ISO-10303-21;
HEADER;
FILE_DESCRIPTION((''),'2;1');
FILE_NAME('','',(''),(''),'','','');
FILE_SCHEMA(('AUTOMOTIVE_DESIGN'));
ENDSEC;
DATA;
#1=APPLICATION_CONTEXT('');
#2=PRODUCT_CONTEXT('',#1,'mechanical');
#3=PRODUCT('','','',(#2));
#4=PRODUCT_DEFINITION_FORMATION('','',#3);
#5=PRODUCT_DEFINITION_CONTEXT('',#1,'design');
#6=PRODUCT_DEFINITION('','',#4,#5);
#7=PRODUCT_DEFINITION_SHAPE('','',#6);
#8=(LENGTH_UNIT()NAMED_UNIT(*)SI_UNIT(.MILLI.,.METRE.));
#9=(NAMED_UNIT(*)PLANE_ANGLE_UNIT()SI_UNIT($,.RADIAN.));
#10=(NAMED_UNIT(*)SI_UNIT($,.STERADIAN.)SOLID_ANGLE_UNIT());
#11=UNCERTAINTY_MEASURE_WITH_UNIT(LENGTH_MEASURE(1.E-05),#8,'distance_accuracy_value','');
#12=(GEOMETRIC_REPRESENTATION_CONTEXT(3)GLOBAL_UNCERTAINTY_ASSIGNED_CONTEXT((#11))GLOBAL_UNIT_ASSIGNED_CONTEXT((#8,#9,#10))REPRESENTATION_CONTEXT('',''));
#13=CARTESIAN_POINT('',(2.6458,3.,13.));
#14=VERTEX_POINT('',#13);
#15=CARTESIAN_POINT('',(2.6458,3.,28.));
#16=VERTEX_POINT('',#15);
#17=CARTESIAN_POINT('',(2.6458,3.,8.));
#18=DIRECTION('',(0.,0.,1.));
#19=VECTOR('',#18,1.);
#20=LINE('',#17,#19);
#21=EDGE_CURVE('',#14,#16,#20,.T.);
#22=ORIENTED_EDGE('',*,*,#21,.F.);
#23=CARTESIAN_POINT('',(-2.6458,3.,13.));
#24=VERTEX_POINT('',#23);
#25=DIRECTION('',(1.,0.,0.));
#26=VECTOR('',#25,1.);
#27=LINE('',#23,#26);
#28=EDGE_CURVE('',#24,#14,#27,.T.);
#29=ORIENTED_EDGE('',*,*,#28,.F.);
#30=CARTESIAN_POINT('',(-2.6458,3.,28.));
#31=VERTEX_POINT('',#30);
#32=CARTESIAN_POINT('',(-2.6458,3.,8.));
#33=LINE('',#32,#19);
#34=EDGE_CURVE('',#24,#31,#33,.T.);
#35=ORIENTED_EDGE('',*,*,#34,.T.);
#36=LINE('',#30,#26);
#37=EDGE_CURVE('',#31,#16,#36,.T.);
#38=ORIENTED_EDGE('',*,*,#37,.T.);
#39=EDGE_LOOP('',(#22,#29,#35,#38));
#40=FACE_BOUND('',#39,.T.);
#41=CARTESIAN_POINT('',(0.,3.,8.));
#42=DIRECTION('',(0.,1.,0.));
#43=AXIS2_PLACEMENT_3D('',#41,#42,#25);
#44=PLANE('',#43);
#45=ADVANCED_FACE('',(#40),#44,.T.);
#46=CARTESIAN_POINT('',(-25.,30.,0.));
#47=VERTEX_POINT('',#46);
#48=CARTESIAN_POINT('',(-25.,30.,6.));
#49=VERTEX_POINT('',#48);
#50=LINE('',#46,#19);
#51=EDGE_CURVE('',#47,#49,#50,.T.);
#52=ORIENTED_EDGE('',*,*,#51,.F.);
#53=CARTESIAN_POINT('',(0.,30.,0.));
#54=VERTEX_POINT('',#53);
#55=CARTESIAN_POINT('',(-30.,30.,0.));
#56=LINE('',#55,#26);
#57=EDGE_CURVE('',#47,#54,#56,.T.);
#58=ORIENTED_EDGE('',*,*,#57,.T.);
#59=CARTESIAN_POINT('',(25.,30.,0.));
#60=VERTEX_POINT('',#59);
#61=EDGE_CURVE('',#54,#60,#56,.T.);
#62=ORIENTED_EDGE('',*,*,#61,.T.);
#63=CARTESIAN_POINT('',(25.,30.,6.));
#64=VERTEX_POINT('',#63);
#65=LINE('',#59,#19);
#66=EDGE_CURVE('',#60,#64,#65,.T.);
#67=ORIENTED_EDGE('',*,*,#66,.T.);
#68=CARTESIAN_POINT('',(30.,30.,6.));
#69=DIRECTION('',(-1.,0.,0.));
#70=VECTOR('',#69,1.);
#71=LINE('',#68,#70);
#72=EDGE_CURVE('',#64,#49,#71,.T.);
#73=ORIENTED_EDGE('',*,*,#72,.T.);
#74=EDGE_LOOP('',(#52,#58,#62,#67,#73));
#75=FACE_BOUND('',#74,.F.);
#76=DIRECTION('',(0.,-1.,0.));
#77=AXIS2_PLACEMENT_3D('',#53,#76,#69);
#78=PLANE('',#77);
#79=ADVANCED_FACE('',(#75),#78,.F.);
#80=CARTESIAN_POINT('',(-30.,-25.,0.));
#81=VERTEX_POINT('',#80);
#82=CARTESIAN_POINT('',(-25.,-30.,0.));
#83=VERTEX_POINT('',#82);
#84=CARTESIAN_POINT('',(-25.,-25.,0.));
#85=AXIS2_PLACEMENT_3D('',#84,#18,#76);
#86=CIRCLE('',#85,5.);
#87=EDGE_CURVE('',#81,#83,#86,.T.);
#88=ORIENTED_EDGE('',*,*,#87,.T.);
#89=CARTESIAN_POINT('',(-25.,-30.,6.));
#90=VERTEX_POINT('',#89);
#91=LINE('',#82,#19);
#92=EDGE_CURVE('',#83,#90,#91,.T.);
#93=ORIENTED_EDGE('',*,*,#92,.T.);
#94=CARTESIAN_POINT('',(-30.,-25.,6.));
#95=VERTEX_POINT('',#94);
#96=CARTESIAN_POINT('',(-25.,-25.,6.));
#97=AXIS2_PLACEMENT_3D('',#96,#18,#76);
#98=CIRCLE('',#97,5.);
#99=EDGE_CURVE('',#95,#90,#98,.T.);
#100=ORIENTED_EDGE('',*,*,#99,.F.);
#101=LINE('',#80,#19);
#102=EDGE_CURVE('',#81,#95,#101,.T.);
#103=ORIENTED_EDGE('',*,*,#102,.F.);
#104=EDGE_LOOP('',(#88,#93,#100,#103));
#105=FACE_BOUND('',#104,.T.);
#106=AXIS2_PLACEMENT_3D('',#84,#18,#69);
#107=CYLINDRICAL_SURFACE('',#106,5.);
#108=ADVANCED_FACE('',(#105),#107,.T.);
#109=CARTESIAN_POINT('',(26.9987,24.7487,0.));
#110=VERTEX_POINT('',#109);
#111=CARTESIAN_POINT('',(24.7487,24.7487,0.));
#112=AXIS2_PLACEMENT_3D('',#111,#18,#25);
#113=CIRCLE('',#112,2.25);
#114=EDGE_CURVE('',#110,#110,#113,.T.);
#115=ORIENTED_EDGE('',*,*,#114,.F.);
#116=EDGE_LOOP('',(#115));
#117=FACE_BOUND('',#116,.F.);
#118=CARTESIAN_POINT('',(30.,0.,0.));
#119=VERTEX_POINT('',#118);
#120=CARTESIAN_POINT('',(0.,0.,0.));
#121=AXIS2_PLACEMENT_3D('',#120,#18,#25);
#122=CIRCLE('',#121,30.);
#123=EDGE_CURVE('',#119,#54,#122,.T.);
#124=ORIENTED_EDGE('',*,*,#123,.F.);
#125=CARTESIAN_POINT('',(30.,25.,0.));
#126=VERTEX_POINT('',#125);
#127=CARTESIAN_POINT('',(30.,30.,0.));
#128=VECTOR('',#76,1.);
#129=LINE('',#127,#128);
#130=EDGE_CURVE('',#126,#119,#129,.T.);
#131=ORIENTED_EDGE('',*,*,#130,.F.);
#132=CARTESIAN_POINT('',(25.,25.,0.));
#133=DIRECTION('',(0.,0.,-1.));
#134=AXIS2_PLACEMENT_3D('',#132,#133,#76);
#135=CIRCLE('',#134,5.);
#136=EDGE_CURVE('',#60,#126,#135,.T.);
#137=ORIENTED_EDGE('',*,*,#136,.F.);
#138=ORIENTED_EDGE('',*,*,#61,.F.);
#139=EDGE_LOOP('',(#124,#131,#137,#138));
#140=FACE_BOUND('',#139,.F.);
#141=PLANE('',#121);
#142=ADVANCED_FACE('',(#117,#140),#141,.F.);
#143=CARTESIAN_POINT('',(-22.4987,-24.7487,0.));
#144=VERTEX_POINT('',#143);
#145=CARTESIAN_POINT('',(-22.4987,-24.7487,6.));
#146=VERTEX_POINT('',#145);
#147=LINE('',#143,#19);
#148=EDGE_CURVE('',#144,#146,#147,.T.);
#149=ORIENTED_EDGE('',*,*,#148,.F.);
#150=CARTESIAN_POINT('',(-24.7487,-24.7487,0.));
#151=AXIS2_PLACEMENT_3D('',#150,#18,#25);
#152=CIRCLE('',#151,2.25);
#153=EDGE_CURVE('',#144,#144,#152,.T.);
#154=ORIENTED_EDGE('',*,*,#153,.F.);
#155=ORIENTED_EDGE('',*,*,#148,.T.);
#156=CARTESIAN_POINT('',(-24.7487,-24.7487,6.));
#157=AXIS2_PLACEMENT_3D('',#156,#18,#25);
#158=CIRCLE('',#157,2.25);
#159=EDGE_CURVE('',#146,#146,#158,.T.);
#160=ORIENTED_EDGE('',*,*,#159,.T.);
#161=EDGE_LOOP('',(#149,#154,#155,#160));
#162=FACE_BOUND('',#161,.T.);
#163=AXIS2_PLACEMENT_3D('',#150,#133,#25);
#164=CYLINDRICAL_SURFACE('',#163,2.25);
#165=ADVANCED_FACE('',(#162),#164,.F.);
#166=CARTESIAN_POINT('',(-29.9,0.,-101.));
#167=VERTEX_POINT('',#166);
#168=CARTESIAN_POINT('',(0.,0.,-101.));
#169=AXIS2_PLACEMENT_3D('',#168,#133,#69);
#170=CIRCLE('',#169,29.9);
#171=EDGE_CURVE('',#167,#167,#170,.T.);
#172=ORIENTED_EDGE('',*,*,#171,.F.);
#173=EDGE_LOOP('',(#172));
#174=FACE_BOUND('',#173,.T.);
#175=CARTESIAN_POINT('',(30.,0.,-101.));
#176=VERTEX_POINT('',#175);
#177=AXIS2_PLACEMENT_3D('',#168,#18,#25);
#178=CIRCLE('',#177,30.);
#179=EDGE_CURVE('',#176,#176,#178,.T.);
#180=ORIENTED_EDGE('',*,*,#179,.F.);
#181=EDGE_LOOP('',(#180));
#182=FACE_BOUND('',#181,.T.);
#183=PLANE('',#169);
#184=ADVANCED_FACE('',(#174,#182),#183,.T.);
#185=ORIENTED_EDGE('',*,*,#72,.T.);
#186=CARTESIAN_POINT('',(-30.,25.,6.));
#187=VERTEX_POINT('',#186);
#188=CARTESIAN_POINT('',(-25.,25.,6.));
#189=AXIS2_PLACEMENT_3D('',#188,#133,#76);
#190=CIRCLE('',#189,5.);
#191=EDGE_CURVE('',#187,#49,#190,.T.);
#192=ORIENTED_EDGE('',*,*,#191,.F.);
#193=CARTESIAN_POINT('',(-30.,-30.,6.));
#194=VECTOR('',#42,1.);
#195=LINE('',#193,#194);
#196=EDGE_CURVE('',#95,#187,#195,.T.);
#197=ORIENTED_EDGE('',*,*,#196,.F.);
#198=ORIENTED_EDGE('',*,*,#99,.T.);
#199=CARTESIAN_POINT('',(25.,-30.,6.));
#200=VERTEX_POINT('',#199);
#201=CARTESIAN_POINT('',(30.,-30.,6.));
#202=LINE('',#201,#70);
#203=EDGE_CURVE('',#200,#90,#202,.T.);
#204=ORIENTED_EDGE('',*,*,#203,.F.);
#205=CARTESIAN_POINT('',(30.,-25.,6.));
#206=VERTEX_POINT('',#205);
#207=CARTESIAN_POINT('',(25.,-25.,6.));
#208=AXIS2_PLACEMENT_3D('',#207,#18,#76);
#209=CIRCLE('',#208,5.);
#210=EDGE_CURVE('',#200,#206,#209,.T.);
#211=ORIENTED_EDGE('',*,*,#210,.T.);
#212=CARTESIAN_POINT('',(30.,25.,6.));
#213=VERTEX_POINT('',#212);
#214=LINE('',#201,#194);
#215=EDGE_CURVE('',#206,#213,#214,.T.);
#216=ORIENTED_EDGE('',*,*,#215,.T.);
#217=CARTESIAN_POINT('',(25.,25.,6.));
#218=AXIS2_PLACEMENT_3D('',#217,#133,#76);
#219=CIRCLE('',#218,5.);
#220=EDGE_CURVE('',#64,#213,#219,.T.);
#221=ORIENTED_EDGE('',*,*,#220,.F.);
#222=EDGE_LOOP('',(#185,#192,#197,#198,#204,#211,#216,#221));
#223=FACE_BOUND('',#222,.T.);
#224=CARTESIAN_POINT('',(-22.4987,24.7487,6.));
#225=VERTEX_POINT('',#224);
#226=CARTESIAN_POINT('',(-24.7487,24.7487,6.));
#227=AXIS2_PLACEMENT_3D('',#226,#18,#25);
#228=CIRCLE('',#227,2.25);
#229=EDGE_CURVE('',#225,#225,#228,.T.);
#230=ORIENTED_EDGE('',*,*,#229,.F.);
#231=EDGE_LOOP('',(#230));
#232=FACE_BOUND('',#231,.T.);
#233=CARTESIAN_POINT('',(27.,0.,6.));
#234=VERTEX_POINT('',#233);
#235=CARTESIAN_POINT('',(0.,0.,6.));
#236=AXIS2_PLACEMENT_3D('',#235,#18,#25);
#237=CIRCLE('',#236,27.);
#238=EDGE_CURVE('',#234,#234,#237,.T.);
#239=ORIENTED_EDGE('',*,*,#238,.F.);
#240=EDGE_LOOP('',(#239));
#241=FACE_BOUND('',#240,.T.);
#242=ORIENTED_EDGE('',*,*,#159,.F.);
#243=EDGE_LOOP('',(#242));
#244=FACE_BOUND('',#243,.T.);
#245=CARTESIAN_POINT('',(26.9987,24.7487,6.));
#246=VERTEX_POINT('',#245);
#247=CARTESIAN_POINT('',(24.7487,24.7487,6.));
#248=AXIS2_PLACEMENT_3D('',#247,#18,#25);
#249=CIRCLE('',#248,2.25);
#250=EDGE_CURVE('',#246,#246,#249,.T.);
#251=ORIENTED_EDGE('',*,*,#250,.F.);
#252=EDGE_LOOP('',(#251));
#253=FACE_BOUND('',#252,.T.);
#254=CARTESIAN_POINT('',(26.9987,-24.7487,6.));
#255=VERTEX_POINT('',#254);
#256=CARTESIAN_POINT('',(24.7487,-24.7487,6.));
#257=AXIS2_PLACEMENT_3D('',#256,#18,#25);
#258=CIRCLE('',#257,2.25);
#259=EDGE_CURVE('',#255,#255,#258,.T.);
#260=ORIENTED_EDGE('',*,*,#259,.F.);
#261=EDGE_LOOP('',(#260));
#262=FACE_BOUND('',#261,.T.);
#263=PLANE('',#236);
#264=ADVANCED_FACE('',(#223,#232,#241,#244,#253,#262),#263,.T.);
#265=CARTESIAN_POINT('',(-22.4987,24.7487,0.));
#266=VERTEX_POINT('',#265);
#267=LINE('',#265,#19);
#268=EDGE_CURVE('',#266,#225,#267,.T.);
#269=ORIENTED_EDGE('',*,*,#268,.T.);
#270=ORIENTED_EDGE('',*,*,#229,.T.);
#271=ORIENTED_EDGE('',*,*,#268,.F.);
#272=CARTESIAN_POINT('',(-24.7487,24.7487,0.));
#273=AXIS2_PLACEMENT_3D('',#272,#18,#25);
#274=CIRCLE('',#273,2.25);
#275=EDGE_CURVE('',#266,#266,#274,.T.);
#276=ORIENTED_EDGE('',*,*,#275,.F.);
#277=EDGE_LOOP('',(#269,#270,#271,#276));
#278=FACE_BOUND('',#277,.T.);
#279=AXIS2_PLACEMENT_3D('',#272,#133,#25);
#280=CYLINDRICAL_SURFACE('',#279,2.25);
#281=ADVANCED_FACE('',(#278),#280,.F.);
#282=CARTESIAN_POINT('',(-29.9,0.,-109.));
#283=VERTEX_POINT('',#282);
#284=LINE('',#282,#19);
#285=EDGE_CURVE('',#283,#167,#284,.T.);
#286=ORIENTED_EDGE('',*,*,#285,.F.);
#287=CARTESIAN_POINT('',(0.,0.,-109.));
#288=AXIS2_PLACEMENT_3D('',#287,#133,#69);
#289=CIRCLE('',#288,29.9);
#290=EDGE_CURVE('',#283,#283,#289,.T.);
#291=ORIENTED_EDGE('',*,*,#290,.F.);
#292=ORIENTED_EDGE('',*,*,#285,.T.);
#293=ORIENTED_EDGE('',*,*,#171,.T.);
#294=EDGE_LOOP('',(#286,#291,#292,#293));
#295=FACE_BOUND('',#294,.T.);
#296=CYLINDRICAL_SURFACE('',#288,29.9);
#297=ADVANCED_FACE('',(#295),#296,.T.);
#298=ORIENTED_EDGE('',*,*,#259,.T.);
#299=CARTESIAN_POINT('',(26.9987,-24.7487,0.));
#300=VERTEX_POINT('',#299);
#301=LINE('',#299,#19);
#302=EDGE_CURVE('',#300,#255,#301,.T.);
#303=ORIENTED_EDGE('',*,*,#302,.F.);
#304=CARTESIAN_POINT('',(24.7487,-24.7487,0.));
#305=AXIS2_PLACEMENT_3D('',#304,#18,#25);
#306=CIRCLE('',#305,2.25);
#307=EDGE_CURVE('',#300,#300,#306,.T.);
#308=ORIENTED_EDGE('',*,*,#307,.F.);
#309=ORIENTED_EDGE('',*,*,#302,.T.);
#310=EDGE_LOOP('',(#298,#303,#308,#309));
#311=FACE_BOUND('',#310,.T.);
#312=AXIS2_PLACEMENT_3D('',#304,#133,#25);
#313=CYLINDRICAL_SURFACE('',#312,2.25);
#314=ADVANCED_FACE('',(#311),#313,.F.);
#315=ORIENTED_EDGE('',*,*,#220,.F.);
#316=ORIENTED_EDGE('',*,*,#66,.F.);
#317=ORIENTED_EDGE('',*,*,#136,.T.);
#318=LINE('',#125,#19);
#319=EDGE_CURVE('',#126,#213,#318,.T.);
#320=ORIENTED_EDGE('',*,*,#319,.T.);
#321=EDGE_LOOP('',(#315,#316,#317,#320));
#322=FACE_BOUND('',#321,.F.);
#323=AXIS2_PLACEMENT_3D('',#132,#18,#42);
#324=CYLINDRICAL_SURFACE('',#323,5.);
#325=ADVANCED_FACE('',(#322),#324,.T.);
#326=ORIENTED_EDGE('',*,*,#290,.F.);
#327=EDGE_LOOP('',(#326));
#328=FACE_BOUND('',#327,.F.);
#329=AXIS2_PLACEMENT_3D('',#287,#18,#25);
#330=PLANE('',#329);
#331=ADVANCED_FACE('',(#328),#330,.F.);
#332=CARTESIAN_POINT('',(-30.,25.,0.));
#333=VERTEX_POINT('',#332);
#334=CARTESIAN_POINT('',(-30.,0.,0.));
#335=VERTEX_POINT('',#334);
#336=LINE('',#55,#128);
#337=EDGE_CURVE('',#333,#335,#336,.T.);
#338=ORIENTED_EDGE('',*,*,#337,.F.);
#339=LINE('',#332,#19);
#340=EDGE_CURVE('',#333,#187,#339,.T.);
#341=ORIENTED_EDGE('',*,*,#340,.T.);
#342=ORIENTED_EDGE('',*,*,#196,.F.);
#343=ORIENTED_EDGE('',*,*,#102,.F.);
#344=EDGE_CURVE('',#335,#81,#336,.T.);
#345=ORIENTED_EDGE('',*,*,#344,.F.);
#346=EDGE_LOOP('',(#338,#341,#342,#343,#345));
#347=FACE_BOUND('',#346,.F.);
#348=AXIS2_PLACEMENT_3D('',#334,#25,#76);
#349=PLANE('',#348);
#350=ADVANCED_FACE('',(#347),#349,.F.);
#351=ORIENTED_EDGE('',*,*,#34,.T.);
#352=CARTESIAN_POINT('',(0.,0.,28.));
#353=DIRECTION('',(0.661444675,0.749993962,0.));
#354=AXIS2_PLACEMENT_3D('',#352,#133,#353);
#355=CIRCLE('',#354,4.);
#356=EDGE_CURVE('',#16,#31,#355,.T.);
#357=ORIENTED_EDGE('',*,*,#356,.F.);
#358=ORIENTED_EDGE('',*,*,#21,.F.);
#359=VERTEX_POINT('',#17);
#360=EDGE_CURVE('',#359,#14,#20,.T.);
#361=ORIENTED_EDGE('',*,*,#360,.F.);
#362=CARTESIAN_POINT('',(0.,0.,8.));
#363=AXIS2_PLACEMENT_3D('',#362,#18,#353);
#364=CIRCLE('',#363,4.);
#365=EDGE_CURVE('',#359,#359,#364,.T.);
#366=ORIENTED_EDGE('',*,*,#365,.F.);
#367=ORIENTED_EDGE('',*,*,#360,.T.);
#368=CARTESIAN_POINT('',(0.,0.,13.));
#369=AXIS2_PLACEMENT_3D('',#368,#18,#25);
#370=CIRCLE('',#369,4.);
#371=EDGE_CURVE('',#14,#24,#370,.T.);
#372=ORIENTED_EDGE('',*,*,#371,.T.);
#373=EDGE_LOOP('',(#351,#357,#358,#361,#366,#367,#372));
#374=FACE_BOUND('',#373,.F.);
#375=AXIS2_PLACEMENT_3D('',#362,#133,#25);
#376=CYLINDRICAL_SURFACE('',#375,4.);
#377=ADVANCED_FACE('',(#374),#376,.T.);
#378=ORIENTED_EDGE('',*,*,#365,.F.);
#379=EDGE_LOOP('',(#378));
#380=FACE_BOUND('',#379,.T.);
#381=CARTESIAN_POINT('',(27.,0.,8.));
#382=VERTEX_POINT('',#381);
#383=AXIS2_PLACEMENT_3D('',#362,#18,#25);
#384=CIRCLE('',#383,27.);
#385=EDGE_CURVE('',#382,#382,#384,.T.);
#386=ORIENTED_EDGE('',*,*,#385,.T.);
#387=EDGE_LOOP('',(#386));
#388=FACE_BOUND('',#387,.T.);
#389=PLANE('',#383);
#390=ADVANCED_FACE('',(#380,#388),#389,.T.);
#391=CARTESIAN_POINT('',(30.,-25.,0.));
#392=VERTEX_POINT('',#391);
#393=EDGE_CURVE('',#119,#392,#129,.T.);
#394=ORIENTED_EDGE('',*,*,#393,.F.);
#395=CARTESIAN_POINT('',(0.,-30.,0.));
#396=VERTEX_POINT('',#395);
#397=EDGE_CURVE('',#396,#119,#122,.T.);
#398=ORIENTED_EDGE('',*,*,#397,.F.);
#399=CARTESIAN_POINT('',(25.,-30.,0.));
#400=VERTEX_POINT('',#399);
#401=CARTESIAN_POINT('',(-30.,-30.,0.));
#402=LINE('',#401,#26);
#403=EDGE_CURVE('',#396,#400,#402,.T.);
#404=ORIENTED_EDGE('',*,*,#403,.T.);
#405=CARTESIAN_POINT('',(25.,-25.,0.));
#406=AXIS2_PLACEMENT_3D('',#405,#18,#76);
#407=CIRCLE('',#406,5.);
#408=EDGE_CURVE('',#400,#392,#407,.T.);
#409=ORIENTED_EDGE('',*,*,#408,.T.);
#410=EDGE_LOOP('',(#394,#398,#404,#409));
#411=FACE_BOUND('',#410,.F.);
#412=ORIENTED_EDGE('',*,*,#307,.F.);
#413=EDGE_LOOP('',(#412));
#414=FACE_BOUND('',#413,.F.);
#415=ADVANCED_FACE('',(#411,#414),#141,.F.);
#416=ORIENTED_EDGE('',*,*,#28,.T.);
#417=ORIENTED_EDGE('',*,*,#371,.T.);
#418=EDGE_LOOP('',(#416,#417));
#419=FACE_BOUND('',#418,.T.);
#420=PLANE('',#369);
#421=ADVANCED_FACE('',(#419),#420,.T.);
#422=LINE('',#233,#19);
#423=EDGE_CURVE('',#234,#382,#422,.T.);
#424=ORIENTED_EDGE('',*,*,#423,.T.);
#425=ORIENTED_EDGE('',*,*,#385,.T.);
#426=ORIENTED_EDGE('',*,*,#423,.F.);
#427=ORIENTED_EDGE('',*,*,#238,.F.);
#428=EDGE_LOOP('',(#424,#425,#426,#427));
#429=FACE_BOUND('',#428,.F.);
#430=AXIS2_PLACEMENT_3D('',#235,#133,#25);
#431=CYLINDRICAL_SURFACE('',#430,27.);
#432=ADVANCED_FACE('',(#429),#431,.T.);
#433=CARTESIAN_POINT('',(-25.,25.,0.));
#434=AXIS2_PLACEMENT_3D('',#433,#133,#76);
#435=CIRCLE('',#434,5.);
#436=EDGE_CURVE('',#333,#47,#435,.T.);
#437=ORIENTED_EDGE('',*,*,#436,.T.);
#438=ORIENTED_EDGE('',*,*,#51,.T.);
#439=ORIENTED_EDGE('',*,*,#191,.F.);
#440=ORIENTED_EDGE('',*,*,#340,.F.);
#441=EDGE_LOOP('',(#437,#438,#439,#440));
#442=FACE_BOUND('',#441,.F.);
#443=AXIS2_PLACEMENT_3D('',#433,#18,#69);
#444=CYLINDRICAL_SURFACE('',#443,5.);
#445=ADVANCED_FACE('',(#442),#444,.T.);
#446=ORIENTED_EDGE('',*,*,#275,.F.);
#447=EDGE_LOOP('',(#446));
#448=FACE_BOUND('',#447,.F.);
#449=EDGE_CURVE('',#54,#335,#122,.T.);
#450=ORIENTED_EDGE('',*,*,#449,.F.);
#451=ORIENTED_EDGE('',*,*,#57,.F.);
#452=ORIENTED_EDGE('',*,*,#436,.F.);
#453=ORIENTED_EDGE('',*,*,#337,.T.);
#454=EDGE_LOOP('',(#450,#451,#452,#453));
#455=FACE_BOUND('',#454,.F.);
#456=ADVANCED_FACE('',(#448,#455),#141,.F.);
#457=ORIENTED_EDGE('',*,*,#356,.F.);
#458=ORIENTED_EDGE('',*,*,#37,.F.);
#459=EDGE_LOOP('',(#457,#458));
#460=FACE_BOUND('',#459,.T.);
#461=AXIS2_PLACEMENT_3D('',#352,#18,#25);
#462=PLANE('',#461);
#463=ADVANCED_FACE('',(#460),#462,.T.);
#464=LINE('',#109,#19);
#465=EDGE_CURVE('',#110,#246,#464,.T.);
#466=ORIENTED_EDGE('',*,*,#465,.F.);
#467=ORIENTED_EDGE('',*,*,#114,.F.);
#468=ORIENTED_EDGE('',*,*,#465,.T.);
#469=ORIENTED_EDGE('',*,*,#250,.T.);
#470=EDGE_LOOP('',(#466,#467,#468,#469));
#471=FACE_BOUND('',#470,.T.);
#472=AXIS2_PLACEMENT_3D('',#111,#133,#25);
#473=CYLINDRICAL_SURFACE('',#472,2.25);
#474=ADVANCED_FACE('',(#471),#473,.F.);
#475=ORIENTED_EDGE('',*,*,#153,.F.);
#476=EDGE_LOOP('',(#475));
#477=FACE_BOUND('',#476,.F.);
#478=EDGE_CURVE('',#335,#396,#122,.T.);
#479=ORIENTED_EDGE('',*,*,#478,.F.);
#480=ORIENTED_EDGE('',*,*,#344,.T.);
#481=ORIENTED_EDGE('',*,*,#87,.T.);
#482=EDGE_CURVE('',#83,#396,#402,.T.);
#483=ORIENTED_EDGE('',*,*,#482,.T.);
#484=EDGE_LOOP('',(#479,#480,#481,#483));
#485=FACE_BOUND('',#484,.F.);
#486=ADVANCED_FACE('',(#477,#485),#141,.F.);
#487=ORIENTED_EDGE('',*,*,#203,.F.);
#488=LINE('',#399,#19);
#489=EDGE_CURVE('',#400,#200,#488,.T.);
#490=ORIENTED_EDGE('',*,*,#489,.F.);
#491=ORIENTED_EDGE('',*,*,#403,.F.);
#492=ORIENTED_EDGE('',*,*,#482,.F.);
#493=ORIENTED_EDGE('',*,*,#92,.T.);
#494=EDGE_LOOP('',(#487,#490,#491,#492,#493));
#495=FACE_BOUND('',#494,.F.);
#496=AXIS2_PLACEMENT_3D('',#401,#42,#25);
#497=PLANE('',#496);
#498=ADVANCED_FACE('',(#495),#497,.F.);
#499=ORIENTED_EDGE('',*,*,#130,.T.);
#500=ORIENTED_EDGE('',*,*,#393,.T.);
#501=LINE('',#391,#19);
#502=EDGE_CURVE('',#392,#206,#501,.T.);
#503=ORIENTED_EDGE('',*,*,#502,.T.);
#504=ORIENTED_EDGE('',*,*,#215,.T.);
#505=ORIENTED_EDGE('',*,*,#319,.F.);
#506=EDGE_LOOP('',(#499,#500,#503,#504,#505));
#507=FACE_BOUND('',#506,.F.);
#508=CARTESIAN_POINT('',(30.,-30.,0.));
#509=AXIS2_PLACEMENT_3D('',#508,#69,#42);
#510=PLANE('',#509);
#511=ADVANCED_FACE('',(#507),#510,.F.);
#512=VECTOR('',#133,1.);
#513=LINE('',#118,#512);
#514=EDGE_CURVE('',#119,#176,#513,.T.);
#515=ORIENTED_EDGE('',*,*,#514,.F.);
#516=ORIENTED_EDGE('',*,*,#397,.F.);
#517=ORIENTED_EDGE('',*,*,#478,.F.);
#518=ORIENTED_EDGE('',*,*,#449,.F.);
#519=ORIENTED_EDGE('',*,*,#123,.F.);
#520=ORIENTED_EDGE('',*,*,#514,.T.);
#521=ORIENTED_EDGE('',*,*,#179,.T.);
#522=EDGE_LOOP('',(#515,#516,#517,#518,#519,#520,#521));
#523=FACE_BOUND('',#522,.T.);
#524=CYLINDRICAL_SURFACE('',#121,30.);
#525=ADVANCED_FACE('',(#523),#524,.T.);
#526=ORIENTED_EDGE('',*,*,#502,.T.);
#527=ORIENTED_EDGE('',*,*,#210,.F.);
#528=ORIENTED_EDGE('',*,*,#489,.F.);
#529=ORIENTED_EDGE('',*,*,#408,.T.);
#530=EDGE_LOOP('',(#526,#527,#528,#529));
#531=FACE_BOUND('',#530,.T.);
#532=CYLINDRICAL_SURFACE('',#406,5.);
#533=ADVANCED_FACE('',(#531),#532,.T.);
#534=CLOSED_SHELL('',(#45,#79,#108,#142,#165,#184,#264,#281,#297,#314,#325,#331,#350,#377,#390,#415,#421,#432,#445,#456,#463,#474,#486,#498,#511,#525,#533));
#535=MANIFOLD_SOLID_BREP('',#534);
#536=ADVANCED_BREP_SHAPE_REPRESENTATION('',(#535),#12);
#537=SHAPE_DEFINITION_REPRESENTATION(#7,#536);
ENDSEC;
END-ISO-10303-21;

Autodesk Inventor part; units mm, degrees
ref_plane "YZ Plane" through (0, 0, 0) normal (1, 0, 0) x (0, 1, 0)
ref_plane "XZ Plane" through (0, 0, 0) normal (0, 1, 0) x (-1, 0, 0)
ref_plane "XY Plane" through (0, 0, 0) normal (0, 0, 1) x (1, 0, 0)
sketch "스케치1" plane through (0, 0, 0) normal (0, 0, 1) x (1, 0, 0)
  line L0 (-30, -30) -> (30, -30)
  line L1 (30, -30) -> (30, 30)
  line L2 (30, 30) -> (-30, 30)
  line L3 (-30, 30) -> (-30, -30)
  line L4 (-30, -30) -> (30, 30) construction
  line L5 (30, -30) -> (-30, 30) construction
  circle A0 centre (0, 0) radius 30
  circle A1 centre (-24.7487, 24.7487) radius 2.25
  circle A2 centre (0, 0) radius 35 construction
  circle A3 centre (-24.7487, -24.7487) radius 2.25
  circle A4 centre (24.7487, -24.7487) radius 2.25
  circle A5 centre (24.7487, 24.7487) radius 2.25
  dimension "d3" = 70
  dimension "d0" = 60
  dimension "d1" = 60
  dimension "d2" = 4.5
  dimension "d6" = 360
extrude "돌출1" add sketch "스케치1" along normal blind 6
extrude "돌출2" add sketch "스케치1" against normal blind 109 contours A0
sketch "스케치2" plane through (0, 0, -109) normal (0, 0, -1) x (-1, 0, 0)
  circle A0 centre (0, 0) radius 30 projected
  circle A1 centre (0, 0) radius 29.9
  dimension "d12" = 0.1
extrude "돌출3" cut sketch "스케치2" against normal blind 8
sketch "스케치3" plane through (0, 0, 6) normal (0, 0, 1) x (1, 0, 0)
  circle A0 centre (0, 0) radius 27
  dimension "d15" = 54
extrude "돌출4" add sketch "스케치3" along normal blind 2
sketch "스케치4" plane through (0, 0, 8) normal (0, 0, 1) x (1, 0, 0)
  circle A0 centre (0, 0) radius 4
  line L0 (-2.6458, 3) -> (2.6458, 3)
  line L1 (0, 3) -> (0, -4)
  dimension "d18" = 8
  dimension "d19" = 7
extrude "돌출5" add sketch "스케치4" along normal blind 20 contours A0 L1 L0 | A0 L0 L1
extrude "돌출6" add sketch "스케치4" along normal blind 5 contours L0 A0
fillet "모깎기1" radius 5 4 edges at (-30, 30, 3) (30, 30, 3) (-30, -30, 3) (30, -30, 3)
properties part number "중형 모터 MB60080-2430 DC24V"
